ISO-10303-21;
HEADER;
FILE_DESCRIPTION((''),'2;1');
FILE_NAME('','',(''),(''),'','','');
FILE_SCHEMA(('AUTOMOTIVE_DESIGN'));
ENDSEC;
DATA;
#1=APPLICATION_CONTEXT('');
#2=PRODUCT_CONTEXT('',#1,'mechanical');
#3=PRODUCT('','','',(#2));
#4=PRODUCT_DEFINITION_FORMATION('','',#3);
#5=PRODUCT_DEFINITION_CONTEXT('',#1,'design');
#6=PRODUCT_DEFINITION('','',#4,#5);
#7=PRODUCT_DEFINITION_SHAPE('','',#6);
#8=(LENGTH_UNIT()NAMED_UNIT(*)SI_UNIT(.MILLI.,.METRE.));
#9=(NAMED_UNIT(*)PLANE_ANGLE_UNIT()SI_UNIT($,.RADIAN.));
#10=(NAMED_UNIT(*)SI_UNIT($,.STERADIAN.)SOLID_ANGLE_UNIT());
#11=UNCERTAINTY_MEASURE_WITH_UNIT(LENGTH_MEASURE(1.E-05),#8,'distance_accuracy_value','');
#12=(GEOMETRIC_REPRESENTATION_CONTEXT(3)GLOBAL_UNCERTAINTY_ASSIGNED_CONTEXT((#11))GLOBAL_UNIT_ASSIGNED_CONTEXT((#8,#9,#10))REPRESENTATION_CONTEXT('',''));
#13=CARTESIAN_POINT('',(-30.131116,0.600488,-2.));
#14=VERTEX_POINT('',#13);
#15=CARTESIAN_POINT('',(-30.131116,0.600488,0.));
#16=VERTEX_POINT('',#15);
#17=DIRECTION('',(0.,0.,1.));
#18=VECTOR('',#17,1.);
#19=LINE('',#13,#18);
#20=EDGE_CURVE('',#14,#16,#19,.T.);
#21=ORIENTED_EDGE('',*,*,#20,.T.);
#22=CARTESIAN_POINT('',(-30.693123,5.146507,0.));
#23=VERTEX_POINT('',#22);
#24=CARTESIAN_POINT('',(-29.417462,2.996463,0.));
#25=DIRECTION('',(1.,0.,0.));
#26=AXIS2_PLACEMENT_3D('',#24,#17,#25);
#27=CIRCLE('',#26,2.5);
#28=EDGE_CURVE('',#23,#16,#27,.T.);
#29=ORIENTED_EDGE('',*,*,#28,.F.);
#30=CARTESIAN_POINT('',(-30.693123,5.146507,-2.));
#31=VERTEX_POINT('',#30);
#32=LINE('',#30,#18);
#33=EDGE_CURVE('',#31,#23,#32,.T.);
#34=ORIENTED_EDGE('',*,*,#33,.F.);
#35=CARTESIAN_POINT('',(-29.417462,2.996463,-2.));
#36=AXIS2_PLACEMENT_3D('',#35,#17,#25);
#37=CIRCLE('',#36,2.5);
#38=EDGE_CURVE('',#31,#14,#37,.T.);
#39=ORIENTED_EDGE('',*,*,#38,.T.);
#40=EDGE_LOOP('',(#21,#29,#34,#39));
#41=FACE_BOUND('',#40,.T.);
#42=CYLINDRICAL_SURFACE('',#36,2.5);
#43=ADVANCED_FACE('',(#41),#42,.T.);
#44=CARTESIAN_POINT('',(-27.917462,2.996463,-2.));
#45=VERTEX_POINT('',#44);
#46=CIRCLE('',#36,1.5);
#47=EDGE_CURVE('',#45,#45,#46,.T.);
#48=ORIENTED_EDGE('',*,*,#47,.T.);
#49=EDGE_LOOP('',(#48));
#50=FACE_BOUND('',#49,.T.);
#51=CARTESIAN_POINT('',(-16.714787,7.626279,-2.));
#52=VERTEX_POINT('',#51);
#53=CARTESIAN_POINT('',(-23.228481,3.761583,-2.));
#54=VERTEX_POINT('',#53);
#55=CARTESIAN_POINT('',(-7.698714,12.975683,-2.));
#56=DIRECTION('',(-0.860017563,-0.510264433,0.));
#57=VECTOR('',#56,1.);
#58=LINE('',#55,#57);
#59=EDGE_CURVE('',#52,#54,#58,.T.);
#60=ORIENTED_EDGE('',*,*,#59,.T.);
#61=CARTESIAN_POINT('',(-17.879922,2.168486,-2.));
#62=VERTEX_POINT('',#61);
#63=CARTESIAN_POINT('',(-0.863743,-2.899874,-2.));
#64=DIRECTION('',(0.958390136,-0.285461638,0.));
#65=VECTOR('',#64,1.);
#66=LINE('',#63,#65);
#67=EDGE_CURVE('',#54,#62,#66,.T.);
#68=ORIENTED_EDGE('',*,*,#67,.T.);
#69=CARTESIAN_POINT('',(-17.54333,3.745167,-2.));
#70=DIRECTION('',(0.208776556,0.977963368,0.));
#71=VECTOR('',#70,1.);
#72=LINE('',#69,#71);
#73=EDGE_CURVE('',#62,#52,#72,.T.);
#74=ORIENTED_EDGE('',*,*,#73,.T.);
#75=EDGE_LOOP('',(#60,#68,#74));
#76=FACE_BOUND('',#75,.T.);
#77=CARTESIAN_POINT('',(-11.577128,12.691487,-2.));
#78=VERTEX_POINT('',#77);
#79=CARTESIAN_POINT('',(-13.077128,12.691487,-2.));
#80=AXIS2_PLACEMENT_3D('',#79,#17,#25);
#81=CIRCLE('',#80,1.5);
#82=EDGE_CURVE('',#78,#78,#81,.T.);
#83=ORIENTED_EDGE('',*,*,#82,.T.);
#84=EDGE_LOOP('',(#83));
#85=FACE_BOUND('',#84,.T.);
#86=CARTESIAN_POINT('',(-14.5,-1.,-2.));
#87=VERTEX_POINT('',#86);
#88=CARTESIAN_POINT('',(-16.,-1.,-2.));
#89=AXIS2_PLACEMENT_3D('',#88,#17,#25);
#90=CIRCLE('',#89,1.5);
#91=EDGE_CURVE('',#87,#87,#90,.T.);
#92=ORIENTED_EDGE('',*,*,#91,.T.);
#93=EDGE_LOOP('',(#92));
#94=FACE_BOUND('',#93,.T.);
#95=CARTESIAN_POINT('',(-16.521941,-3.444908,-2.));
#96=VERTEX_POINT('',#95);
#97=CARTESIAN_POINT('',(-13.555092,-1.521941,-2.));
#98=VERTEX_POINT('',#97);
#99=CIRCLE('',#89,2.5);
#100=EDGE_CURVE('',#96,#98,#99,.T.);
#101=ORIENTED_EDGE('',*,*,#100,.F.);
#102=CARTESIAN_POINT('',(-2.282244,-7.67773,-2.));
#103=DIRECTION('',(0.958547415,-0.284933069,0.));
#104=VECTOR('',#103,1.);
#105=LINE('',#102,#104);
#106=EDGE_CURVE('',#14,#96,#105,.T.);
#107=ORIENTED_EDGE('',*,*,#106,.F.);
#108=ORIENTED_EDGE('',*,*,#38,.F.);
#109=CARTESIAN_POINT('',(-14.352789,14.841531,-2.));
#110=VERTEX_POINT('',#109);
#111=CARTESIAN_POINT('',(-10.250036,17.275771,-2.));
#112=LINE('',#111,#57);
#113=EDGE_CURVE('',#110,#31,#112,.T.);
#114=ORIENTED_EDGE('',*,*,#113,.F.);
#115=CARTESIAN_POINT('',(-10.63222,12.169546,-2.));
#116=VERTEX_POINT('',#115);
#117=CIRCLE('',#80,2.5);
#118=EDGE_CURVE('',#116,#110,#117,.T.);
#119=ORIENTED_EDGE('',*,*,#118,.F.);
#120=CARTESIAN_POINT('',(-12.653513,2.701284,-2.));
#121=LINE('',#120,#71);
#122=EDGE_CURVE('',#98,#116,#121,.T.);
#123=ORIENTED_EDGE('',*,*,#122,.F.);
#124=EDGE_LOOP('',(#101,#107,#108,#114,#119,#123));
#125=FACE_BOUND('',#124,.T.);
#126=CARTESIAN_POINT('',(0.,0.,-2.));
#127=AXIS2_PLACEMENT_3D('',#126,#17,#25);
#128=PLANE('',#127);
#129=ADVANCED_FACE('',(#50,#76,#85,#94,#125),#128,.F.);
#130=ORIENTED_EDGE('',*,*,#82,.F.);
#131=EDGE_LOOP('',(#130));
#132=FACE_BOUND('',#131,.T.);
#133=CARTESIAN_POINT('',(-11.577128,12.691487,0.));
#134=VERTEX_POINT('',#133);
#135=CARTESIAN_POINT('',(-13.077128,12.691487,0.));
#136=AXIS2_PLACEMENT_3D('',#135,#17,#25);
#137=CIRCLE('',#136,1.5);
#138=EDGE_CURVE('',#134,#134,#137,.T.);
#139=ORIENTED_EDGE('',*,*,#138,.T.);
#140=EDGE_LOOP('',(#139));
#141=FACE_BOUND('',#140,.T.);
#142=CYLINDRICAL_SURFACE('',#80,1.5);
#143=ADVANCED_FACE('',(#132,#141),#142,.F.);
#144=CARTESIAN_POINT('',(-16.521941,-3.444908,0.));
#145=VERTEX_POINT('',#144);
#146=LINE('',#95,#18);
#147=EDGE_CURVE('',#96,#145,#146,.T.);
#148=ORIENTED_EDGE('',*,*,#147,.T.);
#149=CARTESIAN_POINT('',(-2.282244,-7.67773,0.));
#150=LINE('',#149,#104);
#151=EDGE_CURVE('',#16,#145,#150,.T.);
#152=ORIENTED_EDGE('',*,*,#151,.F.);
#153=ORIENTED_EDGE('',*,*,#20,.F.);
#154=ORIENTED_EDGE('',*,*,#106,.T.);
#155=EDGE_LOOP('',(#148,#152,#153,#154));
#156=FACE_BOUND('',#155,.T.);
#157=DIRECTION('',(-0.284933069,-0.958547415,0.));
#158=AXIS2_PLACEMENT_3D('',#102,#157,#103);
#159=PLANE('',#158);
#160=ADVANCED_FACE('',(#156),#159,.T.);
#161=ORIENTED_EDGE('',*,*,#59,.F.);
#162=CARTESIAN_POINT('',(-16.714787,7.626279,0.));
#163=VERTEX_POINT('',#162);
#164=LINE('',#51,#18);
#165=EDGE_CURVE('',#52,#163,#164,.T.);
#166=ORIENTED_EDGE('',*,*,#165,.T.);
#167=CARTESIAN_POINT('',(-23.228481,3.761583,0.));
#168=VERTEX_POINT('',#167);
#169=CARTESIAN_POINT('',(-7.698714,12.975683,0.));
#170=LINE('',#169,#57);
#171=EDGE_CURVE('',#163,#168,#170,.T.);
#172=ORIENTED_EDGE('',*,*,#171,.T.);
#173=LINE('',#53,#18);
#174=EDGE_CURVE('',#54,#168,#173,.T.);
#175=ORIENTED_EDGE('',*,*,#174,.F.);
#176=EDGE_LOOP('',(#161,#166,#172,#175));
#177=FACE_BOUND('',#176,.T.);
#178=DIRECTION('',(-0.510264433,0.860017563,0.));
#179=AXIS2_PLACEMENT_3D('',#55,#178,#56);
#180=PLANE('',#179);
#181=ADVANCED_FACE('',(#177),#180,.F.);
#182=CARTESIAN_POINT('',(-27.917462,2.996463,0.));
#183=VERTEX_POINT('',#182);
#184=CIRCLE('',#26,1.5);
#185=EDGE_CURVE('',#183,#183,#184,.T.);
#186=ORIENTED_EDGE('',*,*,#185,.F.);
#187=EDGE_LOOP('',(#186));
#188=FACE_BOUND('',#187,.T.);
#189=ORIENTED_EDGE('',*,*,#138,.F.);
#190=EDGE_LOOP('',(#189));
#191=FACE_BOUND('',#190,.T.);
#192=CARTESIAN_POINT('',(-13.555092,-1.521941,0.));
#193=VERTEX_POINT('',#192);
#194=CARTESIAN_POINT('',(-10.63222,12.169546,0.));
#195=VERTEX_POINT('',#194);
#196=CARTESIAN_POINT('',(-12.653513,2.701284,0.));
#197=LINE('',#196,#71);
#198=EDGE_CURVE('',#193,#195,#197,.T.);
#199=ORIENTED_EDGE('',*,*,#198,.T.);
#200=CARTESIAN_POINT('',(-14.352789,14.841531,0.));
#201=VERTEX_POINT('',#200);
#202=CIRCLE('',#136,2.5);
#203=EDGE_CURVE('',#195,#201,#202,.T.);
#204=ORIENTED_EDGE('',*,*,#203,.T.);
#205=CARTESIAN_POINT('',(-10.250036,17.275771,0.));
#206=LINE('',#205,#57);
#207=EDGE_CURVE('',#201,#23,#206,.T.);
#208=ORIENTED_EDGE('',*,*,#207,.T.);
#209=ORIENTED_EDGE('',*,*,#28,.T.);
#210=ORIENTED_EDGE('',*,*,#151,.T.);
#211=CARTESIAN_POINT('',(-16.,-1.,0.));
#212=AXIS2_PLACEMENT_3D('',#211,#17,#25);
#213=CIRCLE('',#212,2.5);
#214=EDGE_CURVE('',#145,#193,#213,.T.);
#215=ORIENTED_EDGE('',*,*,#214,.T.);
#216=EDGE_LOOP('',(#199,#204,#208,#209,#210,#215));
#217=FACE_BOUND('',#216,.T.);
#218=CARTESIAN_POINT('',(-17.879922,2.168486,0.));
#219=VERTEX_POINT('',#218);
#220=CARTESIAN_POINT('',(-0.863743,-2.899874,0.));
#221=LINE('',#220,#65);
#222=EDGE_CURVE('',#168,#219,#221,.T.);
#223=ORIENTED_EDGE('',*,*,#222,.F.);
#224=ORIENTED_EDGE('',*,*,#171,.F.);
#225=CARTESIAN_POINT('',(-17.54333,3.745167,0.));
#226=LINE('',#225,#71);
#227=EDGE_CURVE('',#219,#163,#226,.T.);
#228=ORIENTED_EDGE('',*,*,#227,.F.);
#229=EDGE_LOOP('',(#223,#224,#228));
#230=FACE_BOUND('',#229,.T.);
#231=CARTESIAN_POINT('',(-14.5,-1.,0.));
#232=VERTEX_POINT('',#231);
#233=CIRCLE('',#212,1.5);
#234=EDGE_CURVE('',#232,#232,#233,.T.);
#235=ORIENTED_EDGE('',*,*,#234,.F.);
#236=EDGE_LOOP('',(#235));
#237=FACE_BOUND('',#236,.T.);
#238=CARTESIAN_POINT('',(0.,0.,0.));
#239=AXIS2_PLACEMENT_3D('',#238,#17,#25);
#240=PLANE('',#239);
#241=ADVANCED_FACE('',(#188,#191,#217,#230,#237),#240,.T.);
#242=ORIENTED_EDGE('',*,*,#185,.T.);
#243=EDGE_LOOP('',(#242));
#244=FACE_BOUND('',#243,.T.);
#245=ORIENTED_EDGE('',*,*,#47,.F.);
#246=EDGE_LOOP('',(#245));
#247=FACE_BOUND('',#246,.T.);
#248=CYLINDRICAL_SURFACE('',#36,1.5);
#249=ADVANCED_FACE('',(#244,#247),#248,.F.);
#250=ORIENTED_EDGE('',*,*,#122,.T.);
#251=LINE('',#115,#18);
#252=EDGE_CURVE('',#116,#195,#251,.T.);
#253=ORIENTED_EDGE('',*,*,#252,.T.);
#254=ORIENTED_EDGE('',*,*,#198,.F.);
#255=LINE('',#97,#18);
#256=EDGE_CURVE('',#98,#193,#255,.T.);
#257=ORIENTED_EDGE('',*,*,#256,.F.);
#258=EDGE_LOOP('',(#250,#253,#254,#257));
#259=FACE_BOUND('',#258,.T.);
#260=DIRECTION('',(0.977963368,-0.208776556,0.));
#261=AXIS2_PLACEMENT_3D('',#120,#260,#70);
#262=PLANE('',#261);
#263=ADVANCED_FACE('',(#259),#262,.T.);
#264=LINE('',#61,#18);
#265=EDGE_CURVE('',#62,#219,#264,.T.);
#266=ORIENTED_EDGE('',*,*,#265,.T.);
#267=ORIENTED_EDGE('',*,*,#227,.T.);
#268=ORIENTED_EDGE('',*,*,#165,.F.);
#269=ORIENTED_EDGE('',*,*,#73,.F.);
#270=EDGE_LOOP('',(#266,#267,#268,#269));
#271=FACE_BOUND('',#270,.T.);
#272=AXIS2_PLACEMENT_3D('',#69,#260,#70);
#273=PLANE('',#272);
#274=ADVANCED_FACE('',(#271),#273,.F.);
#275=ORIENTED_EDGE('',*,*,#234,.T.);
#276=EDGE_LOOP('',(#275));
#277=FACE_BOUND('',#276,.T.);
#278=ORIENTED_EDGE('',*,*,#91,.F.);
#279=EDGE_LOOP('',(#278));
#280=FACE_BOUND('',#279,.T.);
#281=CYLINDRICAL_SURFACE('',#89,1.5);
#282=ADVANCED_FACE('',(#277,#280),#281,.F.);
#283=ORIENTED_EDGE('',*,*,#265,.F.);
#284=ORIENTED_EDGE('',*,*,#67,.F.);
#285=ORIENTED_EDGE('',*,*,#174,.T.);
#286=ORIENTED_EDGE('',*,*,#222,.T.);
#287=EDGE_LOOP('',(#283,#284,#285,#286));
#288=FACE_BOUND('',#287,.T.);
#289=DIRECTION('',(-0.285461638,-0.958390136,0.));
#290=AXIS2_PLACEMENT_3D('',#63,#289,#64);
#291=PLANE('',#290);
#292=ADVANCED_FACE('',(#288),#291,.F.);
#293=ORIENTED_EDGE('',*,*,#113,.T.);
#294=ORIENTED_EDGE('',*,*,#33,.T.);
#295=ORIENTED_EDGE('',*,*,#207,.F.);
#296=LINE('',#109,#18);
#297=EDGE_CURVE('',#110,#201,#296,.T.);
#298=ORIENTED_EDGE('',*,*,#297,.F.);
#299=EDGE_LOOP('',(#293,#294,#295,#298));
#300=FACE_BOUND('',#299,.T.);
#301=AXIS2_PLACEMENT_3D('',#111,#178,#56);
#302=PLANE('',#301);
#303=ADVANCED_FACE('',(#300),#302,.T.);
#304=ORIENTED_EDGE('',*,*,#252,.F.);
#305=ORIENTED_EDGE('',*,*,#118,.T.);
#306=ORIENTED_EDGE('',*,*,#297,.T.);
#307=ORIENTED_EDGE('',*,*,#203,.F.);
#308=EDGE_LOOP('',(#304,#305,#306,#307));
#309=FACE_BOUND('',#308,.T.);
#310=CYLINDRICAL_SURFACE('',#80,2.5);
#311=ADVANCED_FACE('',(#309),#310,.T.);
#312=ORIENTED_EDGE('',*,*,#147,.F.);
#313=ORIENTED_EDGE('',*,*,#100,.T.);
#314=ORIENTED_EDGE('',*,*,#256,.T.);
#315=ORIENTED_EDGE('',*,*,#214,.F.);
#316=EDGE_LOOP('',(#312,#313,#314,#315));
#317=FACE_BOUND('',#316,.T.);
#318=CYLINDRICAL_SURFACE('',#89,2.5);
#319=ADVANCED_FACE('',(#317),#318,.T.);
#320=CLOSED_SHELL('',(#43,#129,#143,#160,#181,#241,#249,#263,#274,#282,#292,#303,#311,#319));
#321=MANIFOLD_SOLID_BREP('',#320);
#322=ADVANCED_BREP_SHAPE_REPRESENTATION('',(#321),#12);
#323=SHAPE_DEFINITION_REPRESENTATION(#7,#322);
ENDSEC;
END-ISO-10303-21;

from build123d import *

# Parameters (mm, degrees)
BOSS_EXTRU_1_DEPTH      = 2
ESQUISSE2_R             = 1.5
ENL_V_MAT_EXTRU_1_DEPTH = 2


with BuildPart() as part:
    # Esquisse1 → Boss.-Extru.1 (new body)
    with BuildSketch(Plane.XY):
        with BuildLine():
            ThreePointArc((-30.69312299, 5.146506838), (-29.724192295, 5.477574873), (-28.703807813, 5.392438272))
            Line((-28.703807813, 5.392438272), (-23.228481357, 3.761582946))
            Line((-23.228481357, 3.761582946), (-16.714786598, 7.626279325))
            Line((-16.714786598, 7.626279325), (-15.522036632, 13.213428546))
            ThreePointArc((-15.522036632, 13.213428546), (-15.107728814, 14.149794802), (-14.352789293, 14.841531062))
            Line((-14.352789293, 14.841531062), (-30.69312299, 5.146506838))
        make_face()
        with BuildLine():
            Line((-23.228481357, 3.761582946), (-28.703807813, 5.392438272))
            ThreePointArc((-28.703807813, 5.392438272), (-29.724192295, 5.477574873), (-30.69312299, 5.146506838))
            ThreePointArc((-30.69312299, 5.146506838), (-31.89857385, 2.689732543), (-30.131116002, 0.60048759))
            ThreePointArc((-30.131116002, 0.60048759), (-29.11073152, 0.515350989), (-28.141800825, 0.846419024))
            Line((-28.141800825, 0.846419024), (-23.228481357, 3.761582946))
        make_face()
        with BuildLine():
            ThreePointArc((-28.141800825, 0.846419024), (-29.11073152, 0.515350989), (-30.131116002, 0.60048759))
            Line((-30.131116002, 0.60048759), (-16.898324022, -3.333026779))
            ThreePointArc((-16.898324022, -3.333026779), (-18.198183706, -2.190793179), (-18.44490842, -0.478058609))
            Line((-18.44490842, -0.478058609), (-17.879921595, 2.168485758))
            Line((-17.879921595, 2.168485758), (-23.228481357, 3.761582946))
            Line((-23.228481357, 3.761582946), (-28.141800825, 0.846419024))
        make_face()
        with BuildLine():
            Line((-15.286345905, 1.395975341), (-17.879921595, 2.168485758))
            Line((-17.879921595, 2.168485758), (-18.44490842, -0.478058609))
            ThreePointArc((-18.44490842, -0.478058609), (-18.198183706, -2.190793179), (-16.898324022, -3.333026779))
            Line((-16.898324022, -3.333026779), (-16.521941391, -3.44490842))
            ThreePointArc((-16.521941391, -3.44490842), (-14.640256973, -3.09787962), (-13.55509158, -1.521941391))
            ThreePointArc((-13.55509158, -1.521941391), (-13.849956093, 0.275661082), (-15.286345905, 1.395975341))
        make_face()
        with BuildLine():
            Line((-16.714786598, 7.626279325), (-17.879921595, 2.168485758))
            Line((-17.879921595, 2.168485758), (-15.286345905, 1.395975341))
            ThreePointArc((-15.286345905, 1.395975341), (-13.849956093, 0.275661082), (-13.55509158, -1.521941391))
            Line((-13.55509158, -1.521941391), (-10.632219791, 12.169545764))
            ThreePointArc((-10.632219791, 12.169545764), (-11.046527609, 11.233179508), (-11.801467129, 10.541443247))
            Line((-11.801467129, 10.541443247), (-16.714786598, 7.626279325))
        make_face()
        with BuildLine():
            Line((-15.522036632, 13.213428546), (-16.714786598, 7.626279325))
            Line((-16.714786598, 7.626279325), (-11.801467129, 10.541443247))
            ThreePointArc((-11.801467129, 10.541443247), (-11.046527609, 11.233179508), (-10.632219791, 12.169545764))
            ThreePointArc((-10.632219791, 12.169545764), (-11.618820564, 14.722087757), (-14.352789293, 14.841531062))
            ThreePointArc((-14.352789293, 14.841531062), (-15.107728814, 14.149794802), (-15.522036632, 13.213428546))
        make_face()
    extrude(amount=-BOSS_EXTRU_1_DEPTH)

    # Esquisse2 → Enlèv. mat.-Extru.1 (cut)
    with BuildSketch(Plane.XY):
        with Locations((-29.417461908, 2.996462931)):
            Circle(ESQUISSE2_R)
        with Locations((-16, -1)):
            Circle(ESQUISSE2_R)
        with Locations((-13.077128211, 12.691487155)):
            Circle(ESQUISSE2_R)
    extrude(amount=-ENL_V_MAT_EXTRU_1_DEPTH, mode=Mode.SUBTRACT)


solid = part.part
